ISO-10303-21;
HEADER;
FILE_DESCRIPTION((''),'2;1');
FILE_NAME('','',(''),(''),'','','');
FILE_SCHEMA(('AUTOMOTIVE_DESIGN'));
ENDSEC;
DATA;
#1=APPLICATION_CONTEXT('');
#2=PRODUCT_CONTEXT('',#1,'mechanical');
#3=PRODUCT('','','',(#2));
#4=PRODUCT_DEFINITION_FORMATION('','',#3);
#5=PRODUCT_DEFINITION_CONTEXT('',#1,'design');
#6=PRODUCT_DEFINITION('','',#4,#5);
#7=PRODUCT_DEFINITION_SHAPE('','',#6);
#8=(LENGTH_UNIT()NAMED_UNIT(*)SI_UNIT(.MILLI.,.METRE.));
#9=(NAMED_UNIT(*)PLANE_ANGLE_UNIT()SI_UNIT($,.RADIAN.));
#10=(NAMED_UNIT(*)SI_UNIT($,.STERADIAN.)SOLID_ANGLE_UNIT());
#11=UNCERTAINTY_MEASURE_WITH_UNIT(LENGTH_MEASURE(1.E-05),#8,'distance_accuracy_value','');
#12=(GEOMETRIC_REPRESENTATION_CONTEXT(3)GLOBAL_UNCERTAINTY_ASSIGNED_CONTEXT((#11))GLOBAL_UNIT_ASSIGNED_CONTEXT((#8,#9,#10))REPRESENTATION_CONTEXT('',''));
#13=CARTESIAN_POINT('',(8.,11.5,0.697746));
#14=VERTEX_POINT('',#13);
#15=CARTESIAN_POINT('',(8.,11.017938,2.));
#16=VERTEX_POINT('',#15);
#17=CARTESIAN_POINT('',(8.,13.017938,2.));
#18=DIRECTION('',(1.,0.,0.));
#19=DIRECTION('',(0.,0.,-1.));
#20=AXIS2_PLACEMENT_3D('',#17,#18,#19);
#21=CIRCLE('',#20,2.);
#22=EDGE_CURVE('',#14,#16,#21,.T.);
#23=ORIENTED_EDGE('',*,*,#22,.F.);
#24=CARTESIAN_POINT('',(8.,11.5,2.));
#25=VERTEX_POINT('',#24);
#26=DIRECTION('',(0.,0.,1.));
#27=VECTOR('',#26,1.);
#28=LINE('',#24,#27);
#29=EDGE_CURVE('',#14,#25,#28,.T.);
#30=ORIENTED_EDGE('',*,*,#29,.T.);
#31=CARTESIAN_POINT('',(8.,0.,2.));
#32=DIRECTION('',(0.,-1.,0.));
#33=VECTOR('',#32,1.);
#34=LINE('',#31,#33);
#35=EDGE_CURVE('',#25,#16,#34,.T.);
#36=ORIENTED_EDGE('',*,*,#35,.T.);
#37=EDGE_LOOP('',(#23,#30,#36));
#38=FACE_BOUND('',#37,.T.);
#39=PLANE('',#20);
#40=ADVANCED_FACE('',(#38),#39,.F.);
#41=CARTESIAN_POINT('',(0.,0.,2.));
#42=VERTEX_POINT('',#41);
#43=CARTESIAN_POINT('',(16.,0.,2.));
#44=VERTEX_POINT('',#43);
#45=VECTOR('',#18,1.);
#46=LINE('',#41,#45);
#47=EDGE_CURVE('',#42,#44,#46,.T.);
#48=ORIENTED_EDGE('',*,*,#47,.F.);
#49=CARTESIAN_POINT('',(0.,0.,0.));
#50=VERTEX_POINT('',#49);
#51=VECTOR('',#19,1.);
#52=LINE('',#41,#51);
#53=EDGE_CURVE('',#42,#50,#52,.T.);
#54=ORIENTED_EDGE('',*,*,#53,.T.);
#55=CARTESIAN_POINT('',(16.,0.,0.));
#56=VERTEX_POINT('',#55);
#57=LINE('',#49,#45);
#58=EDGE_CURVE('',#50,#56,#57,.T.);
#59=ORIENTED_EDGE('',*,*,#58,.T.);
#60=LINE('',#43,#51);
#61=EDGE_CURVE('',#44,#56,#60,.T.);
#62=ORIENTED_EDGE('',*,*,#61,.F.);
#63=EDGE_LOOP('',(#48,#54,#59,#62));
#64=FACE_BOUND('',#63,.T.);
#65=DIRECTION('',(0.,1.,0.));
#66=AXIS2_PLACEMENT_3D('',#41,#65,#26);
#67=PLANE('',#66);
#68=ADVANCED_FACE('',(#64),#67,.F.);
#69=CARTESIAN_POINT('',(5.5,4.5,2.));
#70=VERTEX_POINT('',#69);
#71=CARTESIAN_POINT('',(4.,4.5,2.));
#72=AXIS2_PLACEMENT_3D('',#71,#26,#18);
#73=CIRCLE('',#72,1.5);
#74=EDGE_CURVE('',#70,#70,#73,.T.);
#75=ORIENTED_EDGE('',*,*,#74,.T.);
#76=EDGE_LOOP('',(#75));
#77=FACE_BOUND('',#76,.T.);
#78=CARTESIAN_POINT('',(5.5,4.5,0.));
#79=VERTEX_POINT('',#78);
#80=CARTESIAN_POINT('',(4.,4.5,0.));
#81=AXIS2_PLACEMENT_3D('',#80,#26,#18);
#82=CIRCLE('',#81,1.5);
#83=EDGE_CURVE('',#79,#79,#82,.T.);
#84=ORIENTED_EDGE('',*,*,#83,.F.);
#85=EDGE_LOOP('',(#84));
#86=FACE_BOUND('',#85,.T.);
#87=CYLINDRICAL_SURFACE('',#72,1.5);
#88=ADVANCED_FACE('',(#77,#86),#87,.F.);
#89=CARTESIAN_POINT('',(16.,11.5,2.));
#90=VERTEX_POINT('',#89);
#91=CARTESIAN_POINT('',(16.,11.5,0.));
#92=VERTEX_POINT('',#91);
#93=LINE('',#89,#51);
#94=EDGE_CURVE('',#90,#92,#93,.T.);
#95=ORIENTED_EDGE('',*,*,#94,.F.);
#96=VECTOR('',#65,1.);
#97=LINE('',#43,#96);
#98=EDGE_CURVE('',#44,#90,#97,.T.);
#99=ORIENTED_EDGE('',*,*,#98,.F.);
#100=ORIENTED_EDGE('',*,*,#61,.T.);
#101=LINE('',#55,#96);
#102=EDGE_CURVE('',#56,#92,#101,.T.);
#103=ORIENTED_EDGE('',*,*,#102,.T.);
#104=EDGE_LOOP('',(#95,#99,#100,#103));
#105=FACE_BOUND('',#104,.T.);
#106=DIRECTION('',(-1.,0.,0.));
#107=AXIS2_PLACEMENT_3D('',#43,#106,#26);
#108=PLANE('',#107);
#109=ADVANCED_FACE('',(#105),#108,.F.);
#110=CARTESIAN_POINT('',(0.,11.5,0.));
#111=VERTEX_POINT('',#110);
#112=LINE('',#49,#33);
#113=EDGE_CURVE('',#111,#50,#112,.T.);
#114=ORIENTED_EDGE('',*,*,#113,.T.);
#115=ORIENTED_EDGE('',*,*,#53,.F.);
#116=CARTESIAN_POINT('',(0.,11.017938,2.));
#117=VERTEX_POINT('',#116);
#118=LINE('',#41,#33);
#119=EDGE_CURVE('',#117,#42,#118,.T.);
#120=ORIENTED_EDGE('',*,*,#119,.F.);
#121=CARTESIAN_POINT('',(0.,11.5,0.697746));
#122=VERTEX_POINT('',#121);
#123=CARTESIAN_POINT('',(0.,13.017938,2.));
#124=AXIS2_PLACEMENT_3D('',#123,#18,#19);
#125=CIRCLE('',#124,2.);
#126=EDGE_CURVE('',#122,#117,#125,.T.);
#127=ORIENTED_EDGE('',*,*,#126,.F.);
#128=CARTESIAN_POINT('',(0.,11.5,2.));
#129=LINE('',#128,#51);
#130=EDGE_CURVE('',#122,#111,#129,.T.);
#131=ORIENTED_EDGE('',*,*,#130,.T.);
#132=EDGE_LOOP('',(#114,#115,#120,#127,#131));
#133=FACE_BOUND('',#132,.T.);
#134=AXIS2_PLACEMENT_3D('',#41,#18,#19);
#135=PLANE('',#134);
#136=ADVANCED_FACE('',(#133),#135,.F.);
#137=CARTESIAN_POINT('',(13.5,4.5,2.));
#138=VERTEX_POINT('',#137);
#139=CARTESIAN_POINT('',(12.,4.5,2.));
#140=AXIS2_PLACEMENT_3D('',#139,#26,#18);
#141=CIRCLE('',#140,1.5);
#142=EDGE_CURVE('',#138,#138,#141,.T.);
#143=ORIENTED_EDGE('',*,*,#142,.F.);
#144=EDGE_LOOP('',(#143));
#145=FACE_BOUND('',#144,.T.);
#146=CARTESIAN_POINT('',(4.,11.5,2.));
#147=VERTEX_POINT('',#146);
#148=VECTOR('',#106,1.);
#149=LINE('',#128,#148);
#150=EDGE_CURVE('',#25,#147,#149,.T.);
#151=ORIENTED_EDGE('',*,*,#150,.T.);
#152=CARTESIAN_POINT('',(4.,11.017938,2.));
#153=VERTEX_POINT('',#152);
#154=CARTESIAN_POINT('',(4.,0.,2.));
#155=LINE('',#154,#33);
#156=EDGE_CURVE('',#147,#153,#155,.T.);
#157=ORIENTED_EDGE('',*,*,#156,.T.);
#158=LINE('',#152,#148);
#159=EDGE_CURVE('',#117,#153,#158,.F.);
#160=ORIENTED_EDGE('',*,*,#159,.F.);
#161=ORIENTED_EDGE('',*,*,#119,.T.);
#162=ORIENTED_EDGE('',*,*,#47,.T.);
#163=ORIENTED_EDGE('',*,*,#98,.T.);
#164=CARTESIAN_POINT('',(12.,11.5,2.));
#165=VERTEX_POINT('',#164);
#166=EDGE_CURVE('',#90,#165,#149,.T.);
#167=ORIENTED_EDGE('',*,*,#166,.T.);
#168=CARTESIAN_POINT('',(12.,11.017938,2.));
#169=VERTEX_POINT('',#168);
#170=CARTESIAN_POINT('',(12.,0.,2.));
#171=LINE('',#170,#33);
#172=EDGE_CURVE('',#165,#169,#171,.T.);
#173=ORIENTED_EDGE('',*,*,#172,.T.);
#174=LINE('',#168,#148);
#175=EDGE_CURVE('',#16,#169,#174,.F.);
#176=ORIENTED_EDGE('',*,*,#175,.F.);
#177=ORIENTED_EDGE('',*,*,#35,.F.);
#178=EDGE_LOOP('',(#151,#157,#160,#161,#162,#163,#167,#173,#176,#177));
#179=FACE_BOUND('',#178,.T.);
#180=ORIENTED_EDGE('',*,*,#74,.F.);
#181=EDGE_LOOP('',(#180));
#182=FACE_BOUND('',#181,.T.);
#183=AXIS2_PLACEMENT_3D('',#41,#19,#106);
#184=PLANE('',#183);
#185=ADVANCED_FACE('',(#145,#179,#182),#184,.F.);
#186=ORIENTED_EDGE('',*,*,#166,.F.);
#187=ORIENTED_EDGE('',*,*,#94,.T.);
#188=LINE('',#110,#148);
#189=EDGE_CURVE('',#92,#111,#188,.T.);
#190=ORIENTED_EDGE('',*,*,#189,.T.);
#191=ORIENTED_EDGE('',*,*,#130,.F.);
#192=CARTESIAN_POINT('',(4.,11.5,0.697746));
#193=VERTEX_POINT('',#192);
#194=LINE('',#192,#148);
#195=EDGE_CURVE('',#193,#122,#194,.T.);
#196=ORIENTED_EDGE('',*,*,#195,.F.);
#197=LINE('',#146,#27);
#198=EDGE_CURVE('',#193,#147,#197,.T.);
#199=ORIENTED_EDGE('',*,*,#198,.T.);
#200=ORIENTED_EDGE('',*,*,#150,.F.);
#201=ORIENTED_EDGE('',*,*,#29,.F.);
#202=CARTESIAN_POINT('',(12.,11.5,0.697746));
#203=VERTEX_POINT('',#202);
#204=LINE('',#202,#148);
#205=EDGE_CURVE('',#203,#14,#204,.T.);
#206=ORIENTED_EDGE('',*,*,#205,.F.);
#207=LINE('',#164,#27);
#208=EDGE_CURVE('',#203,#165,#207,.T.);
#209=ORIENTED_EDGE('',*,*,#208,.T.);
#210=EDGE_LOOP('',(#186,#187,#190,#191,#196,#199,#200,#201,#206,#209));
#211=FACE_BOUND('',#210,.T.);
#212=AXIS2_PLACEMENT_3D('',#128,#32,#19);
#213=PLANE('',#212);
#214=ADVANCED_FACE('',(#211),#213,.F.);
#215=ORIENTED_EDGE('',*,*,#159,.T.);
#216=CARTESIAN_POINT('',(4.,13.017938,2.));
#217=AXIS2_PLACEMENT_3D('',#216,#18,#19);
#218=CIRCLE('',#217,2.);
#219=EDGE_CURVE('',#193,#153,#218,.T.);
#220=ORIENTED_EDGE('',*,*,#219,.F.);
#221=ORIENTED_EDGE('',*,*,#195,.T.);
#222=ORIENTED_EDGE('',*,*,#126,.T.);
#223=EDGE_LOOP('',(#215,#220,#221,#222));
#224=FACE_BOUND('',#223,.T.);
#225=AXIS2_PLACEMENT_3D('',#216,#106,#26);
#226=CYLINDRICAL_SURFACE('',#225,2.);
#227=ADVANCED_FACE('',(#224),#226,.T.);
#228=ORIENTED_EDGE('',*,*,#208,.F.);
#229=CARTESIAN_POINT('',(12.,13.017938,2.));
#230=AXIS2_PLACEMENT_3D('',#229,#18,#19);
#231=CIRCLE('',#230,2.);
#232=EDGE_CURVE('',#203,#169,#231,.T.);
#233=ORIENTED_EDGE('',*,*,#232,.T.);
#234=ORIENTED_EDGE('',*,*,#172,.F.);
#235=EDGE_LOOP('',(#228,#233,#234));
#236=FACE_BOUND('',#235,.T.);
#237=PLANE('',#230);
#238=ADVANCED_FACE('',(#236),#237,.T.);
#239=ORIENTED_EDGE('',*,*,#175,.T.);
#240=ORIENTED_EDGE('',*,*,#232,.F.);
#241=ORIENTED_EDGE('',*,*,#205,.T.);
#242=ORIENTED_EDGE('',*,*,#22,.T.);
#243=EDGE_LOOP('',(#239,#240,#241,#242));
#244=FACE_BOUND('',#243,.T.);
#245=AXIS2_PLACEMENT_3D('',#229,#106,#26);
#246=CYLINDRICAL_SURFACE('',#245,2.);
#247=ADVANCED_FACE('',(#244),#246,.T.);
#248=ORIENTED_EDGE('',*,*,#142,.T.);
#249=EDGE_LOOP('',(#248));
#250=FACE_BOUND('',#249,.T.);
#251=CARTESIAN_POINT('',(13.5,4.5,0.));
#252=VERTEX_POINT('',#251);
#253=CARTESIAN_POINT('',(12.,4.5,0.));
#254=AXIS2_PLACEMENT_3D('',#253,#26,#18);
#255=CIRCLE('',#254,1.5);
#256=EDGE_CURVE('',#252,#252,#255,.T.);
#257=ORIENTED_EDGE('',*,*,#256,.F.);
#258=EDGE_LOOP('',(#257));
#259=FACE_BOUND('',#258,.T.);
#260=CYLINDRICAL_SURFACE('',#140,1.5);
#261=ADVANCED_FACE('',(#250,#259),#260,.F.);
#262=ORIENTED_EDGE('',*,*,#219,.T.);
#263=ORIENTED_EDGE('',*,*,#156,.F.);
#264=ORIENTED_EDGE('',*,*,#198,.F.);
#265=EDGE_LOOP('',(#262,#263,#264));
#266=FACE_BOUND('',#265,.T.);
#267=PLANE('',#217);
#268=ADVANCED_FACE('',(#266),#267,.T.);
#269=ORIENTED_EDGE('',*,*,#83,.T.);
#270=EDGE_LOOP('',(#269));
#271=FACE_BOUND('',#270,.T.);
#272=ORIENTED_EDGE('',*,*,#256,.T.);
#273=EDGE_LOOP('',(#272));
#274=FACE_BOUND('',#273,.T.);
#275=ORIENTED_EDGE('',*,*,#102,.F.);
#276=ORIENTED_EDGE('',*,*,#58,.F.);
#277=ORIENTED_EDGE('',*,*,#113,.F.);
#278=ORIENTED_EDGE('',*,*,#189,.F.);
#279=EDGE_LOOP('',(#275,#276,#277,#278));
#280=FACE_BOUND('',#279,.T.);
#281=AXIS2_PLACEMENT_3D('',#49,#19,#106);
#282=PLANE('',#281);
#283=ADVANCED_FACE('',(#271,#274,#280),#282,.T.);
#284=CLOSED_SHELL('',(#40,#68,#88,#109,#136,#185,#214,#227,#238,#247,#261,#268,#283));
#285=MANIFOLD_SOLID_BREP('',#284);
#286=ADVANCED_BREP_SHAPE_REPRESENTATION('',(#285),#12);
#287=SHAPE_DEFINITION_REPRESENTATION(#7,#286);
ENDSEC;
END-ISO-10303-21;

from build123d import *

# Parameters (mm, degrees)
SKETCH1_W             = 16
SKETCH1_H             = 11.5
BOSS_EXTRUDE1_DEPTH   = 2
SKETCH2_R             = 2
BOSS_EXTRUDE2_DEPTH   = 4
LPATTERN1_COUNT       = 2
LPATTERN1_PITCH       = 8
F_3_0MM_DOWEL_HOLE1_D = 3


with BuildPart() as part:
    # Sketch1 → Boss-Extrude1 (new body)
    with BuildSketch(Plane.XY):
        with Locations((8, 5.75)):
            Rectangle(SKETCH1_W, SKETCH1_H)
    extrude(amount=BOSS_EXTRUDE1_DEPTH)

    # Sketch2 → Boss-Extrude2 (add)
    with BuildSketch(Plane(origin=(0, 0, 0), x_dir=(0, 0, -1), z_dir=(1, 0, 0))):
        with Locations((-2, 13.01793751)):
            Circle(SKETCH2_R)
    boss_extrude2 = extrude(amount=BOSS_EXTRUDE2_DEPTH)

    # LPattern1: Boss-Extrude2 ×2
    with Locations(*[(i * LPATTERN1_PITCH, 0, 0) for i in range(1, LPATTERN1_COUNT)]):
        add(boss_extrude2)

    # Ø3.0mm Dowel Hole1 (through all)
    with Locations(Plane.XY.offset(2)):
        with Locations((4, 4.5), (12, 4.5)):
            Hole(F_3_0MM_DOWEL_HOLE1_D / 2)


solid = part.part
